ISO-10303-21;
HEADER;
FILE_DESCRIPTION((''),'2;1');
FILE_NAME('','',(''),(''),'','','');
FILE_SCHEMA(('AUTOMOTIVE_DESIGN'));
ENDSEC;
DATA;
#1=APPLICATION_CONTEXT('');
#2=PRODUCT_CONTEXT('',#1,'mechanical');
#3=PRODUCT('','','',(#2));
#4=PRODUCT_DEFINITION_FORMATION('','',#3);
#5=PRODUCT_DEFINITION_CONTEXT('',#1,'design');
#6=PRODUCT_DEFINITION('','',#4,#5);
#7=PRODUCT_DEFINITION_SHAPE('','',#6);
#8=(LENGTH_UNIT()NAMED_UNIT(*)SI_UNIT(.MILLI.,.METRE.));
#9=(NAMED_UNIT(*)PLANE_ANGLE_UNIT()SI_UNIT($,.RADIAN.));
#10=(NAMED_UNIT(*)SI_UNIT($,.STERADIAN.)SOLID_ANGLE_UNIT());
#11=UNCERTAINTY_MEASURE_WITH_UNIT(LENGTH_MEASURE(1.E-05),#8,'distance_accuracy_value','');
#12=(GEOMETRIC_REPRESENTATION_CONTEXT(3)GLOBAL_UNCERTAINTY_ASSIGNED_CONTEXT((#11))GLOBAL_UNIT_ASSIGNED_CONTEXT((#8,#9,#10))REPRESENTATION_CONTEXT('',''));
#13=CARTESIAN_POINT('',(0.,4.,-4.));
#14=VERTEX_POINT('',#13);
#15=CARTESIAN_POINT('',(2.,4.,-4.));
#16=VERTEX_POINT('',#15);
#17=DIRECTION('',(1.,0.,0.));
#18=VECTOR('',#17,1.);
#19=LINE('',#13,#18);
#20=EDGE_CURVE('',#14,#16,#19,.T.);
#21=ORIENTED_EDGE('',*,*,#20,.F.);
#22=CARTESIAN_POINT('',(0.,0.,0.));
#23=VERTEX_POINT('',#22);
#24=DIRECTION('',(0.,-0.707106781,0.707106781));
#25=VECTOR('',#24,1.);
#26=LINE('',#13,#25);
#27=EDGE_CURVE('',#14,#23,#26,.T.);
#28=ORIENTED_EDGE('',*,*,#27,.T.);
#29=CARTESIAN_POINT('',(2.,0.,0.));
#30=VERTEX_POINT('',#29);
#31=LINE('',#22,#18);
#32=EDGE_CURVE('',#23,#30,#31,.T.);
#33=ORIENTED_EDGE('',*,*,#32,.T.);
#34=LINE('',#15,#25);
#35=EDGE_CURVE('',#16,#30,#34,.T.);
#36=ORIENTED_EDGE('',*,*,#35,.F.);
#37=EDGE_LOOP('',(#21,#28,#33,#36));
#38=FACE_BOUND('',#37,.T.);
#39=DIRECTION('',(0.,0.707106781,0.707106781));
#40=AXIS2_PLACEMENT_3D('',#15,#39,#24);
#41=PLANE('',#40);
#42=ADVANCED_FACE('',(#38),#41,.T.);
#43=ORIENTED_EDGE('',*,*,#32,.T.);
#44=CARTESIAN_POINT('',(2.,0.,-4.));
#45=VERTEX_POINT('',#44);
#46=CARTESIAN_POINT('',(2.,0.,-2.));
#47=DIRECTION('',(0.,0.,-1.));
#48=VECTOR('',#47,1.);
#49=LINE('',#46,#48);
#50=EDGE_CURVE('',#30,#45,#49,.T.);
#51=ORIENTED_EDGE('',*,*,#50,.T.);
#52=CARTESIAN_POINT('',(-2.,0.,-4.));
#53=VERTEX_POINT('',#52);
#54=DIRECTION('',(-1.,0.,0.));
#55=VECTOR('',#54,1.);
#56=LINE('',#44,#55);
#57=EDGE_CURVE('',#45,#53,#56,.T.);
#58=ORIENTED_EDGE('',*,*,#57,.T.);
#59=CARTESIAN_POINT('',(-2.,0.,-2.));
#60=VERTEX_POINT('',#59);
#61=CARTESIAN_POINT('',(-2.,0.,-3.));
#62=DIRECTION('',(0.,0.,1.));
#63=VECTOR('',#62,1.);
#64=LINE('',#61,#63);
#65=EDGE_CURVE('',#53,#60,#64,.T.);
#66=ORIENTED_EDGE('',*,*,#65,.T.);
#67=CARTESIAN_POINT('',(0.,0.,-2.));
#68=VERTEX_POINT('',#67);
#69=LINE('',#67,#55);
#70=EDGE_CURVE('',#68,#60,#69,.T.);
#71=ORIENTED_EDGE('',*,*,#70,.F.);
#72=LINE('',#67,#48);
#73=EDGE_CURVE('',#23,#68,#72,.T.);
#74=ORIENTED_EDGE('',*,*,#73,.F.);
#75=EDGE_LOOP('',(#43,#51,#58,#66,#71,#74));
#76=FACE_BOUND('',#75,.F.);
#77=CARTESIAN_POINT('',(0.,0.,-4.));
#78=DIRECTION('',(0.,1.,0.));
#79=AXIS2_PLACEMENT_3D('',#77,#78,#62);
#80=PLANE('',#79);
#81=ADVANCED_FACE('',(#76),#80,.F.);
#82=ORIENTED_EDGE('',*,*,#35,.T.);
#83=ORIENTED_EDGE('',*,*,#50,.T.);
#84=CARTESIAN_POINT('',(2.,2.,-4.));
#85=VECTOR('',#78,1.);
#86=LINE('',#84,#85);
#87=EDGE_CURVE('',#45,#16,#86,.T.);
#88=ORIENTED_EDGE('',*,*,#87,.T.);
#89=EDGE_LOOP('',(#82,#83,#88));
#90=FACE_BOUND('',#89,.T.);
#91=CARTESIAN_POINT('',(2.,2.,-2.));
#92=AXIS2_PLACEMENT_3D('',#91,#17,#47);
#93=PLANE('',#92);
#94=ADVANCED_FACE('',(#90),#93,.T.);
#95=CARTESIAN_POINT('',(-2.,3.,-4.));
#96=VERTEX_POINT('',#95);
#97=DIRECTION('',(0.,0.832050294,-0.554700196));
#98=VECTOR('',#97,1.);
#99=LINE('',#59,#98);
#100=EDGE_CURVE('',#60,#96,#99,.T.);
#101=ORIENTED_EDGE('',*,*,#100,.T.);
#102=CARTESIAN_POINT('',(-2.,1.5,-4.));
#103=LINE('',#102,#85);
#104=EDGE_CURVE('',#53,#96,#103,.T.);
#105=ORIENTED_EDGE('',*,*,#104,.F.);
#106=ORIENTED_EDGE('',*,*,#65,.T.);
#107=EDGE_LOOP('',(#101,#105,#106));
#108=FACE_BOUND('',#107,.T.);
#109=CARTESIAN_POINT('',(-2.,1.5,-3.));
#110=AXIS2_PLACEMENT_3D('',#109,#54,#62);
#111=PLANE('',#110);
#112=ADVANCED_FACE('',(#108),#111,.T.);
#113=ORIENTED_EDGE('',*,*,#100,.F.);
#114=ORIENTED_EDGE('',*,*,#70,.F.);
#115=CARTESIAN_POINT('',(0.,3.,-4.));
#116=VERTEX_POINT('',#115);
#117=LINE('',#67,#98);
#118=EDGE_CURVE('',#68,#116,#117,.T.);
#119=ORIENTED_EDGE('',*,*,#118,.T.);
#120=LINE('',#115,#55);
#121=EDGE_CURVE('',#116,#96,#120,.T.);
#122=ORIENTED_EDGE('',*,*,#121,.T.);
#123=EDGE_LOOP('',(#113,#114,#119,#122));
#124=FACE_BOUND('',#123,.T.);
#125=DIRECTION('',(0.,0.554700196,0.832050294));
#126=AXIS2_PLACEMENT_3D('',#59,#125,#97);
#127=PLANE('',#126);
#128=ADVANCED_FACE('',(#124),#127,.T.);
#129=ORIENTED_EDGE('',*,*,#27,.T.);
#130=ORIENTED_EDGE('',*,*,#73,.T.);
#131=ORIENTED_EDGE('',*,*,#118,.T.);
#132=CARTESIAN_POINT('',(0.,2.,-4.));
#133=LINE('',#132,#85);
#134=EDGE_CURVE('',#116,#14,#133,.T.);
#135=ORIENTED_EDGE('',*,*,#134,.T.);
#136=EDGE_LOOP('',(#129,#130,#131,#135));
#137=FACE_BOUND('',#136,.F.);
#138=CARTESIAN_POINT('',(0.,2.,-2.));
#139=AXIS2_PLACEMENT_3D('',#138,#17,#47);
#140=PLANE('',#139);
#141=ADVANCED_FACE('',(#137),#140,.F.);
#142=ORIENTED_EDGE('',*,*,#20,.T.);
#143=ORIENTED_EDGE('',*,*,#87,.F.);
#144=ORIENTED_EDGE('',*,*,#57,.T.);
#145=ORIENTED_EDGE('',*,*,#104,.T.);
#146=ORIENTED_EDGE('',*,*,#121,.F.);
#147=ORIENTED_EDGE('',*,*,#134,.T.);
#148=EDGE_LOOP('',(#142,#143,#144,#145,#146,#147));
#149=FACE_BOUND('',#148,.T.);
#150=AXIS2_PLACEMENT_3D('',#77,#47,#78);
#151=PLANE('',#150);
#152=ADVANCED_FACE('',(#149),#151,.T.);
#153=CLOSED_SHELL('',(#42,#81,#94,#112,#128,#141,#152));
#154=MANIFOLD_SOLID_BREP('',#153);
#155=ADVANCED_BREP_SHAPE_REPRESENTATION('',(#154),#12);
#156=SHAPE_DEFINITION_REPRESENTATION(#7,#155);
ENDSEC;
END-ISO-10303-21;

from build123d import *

# Parameters (mm, degrees)
SKETCH1_W           = 4
SKETCH1_H           = 4
BOSS_EXTRUDE1_DEPTH = 2
SKETCH2_W           = 2
SKETCH2_H           = 3
BOSS_EXTRUDE2_DEPTH = 2
CUT_EXTRUDE1_DEPTH  = 2
CUT_EXTRUDE2_DEPTH  = 2


with BuildPart() as part:
    # Sketch1 → Boss-Extrude1 (new body)
    with BuildSketch(Plane(origin=(0, 0, 0), x_dir=(0, 0, -1), z_dir=(1, 0, 0))):
        with Locations((2, 2)):
            Rectangle(SKETCH1_W, SKETCH1_H)
    extrude(amount=BOSS_EXTRUDE1_DEPTH)

    # Sketch2 → Boss-Extrude2 (add)
    with BuildSketch(Plane.ZY):
        with Locations((-3, 1.5)):
            Rectangle(SKETCH2_W, SKETCH2_H)
    extrude(amount=BOSS_EXTRUDE2_DEPTH)

    # Sketch3 → Cut-Extrude1 (cut)
    with BuildSketch(Plane.ZY.offset(2)):
        Polygon((-4, 3), (-2, 3), (-2, 0), align=None)
    extrude(amount=-CUT_EXTRUDE1_DEPTH, mode=Mode.SUBTRACT)

    # Sketch4 → Cut-Extrude2 (cut)
    with BuildSketch(Plane(origin=(2, 0, 0), x_dir=(0, 0, -1), z_dir=(1, 0, 0))):
        Polygon((4, 4), (0, 0), (0, 4), align=None)
    extrude(amount=-CUT_EXTRUDE2_DEPTH, mode=Mode.SUBTRACT)


solid = part.part
